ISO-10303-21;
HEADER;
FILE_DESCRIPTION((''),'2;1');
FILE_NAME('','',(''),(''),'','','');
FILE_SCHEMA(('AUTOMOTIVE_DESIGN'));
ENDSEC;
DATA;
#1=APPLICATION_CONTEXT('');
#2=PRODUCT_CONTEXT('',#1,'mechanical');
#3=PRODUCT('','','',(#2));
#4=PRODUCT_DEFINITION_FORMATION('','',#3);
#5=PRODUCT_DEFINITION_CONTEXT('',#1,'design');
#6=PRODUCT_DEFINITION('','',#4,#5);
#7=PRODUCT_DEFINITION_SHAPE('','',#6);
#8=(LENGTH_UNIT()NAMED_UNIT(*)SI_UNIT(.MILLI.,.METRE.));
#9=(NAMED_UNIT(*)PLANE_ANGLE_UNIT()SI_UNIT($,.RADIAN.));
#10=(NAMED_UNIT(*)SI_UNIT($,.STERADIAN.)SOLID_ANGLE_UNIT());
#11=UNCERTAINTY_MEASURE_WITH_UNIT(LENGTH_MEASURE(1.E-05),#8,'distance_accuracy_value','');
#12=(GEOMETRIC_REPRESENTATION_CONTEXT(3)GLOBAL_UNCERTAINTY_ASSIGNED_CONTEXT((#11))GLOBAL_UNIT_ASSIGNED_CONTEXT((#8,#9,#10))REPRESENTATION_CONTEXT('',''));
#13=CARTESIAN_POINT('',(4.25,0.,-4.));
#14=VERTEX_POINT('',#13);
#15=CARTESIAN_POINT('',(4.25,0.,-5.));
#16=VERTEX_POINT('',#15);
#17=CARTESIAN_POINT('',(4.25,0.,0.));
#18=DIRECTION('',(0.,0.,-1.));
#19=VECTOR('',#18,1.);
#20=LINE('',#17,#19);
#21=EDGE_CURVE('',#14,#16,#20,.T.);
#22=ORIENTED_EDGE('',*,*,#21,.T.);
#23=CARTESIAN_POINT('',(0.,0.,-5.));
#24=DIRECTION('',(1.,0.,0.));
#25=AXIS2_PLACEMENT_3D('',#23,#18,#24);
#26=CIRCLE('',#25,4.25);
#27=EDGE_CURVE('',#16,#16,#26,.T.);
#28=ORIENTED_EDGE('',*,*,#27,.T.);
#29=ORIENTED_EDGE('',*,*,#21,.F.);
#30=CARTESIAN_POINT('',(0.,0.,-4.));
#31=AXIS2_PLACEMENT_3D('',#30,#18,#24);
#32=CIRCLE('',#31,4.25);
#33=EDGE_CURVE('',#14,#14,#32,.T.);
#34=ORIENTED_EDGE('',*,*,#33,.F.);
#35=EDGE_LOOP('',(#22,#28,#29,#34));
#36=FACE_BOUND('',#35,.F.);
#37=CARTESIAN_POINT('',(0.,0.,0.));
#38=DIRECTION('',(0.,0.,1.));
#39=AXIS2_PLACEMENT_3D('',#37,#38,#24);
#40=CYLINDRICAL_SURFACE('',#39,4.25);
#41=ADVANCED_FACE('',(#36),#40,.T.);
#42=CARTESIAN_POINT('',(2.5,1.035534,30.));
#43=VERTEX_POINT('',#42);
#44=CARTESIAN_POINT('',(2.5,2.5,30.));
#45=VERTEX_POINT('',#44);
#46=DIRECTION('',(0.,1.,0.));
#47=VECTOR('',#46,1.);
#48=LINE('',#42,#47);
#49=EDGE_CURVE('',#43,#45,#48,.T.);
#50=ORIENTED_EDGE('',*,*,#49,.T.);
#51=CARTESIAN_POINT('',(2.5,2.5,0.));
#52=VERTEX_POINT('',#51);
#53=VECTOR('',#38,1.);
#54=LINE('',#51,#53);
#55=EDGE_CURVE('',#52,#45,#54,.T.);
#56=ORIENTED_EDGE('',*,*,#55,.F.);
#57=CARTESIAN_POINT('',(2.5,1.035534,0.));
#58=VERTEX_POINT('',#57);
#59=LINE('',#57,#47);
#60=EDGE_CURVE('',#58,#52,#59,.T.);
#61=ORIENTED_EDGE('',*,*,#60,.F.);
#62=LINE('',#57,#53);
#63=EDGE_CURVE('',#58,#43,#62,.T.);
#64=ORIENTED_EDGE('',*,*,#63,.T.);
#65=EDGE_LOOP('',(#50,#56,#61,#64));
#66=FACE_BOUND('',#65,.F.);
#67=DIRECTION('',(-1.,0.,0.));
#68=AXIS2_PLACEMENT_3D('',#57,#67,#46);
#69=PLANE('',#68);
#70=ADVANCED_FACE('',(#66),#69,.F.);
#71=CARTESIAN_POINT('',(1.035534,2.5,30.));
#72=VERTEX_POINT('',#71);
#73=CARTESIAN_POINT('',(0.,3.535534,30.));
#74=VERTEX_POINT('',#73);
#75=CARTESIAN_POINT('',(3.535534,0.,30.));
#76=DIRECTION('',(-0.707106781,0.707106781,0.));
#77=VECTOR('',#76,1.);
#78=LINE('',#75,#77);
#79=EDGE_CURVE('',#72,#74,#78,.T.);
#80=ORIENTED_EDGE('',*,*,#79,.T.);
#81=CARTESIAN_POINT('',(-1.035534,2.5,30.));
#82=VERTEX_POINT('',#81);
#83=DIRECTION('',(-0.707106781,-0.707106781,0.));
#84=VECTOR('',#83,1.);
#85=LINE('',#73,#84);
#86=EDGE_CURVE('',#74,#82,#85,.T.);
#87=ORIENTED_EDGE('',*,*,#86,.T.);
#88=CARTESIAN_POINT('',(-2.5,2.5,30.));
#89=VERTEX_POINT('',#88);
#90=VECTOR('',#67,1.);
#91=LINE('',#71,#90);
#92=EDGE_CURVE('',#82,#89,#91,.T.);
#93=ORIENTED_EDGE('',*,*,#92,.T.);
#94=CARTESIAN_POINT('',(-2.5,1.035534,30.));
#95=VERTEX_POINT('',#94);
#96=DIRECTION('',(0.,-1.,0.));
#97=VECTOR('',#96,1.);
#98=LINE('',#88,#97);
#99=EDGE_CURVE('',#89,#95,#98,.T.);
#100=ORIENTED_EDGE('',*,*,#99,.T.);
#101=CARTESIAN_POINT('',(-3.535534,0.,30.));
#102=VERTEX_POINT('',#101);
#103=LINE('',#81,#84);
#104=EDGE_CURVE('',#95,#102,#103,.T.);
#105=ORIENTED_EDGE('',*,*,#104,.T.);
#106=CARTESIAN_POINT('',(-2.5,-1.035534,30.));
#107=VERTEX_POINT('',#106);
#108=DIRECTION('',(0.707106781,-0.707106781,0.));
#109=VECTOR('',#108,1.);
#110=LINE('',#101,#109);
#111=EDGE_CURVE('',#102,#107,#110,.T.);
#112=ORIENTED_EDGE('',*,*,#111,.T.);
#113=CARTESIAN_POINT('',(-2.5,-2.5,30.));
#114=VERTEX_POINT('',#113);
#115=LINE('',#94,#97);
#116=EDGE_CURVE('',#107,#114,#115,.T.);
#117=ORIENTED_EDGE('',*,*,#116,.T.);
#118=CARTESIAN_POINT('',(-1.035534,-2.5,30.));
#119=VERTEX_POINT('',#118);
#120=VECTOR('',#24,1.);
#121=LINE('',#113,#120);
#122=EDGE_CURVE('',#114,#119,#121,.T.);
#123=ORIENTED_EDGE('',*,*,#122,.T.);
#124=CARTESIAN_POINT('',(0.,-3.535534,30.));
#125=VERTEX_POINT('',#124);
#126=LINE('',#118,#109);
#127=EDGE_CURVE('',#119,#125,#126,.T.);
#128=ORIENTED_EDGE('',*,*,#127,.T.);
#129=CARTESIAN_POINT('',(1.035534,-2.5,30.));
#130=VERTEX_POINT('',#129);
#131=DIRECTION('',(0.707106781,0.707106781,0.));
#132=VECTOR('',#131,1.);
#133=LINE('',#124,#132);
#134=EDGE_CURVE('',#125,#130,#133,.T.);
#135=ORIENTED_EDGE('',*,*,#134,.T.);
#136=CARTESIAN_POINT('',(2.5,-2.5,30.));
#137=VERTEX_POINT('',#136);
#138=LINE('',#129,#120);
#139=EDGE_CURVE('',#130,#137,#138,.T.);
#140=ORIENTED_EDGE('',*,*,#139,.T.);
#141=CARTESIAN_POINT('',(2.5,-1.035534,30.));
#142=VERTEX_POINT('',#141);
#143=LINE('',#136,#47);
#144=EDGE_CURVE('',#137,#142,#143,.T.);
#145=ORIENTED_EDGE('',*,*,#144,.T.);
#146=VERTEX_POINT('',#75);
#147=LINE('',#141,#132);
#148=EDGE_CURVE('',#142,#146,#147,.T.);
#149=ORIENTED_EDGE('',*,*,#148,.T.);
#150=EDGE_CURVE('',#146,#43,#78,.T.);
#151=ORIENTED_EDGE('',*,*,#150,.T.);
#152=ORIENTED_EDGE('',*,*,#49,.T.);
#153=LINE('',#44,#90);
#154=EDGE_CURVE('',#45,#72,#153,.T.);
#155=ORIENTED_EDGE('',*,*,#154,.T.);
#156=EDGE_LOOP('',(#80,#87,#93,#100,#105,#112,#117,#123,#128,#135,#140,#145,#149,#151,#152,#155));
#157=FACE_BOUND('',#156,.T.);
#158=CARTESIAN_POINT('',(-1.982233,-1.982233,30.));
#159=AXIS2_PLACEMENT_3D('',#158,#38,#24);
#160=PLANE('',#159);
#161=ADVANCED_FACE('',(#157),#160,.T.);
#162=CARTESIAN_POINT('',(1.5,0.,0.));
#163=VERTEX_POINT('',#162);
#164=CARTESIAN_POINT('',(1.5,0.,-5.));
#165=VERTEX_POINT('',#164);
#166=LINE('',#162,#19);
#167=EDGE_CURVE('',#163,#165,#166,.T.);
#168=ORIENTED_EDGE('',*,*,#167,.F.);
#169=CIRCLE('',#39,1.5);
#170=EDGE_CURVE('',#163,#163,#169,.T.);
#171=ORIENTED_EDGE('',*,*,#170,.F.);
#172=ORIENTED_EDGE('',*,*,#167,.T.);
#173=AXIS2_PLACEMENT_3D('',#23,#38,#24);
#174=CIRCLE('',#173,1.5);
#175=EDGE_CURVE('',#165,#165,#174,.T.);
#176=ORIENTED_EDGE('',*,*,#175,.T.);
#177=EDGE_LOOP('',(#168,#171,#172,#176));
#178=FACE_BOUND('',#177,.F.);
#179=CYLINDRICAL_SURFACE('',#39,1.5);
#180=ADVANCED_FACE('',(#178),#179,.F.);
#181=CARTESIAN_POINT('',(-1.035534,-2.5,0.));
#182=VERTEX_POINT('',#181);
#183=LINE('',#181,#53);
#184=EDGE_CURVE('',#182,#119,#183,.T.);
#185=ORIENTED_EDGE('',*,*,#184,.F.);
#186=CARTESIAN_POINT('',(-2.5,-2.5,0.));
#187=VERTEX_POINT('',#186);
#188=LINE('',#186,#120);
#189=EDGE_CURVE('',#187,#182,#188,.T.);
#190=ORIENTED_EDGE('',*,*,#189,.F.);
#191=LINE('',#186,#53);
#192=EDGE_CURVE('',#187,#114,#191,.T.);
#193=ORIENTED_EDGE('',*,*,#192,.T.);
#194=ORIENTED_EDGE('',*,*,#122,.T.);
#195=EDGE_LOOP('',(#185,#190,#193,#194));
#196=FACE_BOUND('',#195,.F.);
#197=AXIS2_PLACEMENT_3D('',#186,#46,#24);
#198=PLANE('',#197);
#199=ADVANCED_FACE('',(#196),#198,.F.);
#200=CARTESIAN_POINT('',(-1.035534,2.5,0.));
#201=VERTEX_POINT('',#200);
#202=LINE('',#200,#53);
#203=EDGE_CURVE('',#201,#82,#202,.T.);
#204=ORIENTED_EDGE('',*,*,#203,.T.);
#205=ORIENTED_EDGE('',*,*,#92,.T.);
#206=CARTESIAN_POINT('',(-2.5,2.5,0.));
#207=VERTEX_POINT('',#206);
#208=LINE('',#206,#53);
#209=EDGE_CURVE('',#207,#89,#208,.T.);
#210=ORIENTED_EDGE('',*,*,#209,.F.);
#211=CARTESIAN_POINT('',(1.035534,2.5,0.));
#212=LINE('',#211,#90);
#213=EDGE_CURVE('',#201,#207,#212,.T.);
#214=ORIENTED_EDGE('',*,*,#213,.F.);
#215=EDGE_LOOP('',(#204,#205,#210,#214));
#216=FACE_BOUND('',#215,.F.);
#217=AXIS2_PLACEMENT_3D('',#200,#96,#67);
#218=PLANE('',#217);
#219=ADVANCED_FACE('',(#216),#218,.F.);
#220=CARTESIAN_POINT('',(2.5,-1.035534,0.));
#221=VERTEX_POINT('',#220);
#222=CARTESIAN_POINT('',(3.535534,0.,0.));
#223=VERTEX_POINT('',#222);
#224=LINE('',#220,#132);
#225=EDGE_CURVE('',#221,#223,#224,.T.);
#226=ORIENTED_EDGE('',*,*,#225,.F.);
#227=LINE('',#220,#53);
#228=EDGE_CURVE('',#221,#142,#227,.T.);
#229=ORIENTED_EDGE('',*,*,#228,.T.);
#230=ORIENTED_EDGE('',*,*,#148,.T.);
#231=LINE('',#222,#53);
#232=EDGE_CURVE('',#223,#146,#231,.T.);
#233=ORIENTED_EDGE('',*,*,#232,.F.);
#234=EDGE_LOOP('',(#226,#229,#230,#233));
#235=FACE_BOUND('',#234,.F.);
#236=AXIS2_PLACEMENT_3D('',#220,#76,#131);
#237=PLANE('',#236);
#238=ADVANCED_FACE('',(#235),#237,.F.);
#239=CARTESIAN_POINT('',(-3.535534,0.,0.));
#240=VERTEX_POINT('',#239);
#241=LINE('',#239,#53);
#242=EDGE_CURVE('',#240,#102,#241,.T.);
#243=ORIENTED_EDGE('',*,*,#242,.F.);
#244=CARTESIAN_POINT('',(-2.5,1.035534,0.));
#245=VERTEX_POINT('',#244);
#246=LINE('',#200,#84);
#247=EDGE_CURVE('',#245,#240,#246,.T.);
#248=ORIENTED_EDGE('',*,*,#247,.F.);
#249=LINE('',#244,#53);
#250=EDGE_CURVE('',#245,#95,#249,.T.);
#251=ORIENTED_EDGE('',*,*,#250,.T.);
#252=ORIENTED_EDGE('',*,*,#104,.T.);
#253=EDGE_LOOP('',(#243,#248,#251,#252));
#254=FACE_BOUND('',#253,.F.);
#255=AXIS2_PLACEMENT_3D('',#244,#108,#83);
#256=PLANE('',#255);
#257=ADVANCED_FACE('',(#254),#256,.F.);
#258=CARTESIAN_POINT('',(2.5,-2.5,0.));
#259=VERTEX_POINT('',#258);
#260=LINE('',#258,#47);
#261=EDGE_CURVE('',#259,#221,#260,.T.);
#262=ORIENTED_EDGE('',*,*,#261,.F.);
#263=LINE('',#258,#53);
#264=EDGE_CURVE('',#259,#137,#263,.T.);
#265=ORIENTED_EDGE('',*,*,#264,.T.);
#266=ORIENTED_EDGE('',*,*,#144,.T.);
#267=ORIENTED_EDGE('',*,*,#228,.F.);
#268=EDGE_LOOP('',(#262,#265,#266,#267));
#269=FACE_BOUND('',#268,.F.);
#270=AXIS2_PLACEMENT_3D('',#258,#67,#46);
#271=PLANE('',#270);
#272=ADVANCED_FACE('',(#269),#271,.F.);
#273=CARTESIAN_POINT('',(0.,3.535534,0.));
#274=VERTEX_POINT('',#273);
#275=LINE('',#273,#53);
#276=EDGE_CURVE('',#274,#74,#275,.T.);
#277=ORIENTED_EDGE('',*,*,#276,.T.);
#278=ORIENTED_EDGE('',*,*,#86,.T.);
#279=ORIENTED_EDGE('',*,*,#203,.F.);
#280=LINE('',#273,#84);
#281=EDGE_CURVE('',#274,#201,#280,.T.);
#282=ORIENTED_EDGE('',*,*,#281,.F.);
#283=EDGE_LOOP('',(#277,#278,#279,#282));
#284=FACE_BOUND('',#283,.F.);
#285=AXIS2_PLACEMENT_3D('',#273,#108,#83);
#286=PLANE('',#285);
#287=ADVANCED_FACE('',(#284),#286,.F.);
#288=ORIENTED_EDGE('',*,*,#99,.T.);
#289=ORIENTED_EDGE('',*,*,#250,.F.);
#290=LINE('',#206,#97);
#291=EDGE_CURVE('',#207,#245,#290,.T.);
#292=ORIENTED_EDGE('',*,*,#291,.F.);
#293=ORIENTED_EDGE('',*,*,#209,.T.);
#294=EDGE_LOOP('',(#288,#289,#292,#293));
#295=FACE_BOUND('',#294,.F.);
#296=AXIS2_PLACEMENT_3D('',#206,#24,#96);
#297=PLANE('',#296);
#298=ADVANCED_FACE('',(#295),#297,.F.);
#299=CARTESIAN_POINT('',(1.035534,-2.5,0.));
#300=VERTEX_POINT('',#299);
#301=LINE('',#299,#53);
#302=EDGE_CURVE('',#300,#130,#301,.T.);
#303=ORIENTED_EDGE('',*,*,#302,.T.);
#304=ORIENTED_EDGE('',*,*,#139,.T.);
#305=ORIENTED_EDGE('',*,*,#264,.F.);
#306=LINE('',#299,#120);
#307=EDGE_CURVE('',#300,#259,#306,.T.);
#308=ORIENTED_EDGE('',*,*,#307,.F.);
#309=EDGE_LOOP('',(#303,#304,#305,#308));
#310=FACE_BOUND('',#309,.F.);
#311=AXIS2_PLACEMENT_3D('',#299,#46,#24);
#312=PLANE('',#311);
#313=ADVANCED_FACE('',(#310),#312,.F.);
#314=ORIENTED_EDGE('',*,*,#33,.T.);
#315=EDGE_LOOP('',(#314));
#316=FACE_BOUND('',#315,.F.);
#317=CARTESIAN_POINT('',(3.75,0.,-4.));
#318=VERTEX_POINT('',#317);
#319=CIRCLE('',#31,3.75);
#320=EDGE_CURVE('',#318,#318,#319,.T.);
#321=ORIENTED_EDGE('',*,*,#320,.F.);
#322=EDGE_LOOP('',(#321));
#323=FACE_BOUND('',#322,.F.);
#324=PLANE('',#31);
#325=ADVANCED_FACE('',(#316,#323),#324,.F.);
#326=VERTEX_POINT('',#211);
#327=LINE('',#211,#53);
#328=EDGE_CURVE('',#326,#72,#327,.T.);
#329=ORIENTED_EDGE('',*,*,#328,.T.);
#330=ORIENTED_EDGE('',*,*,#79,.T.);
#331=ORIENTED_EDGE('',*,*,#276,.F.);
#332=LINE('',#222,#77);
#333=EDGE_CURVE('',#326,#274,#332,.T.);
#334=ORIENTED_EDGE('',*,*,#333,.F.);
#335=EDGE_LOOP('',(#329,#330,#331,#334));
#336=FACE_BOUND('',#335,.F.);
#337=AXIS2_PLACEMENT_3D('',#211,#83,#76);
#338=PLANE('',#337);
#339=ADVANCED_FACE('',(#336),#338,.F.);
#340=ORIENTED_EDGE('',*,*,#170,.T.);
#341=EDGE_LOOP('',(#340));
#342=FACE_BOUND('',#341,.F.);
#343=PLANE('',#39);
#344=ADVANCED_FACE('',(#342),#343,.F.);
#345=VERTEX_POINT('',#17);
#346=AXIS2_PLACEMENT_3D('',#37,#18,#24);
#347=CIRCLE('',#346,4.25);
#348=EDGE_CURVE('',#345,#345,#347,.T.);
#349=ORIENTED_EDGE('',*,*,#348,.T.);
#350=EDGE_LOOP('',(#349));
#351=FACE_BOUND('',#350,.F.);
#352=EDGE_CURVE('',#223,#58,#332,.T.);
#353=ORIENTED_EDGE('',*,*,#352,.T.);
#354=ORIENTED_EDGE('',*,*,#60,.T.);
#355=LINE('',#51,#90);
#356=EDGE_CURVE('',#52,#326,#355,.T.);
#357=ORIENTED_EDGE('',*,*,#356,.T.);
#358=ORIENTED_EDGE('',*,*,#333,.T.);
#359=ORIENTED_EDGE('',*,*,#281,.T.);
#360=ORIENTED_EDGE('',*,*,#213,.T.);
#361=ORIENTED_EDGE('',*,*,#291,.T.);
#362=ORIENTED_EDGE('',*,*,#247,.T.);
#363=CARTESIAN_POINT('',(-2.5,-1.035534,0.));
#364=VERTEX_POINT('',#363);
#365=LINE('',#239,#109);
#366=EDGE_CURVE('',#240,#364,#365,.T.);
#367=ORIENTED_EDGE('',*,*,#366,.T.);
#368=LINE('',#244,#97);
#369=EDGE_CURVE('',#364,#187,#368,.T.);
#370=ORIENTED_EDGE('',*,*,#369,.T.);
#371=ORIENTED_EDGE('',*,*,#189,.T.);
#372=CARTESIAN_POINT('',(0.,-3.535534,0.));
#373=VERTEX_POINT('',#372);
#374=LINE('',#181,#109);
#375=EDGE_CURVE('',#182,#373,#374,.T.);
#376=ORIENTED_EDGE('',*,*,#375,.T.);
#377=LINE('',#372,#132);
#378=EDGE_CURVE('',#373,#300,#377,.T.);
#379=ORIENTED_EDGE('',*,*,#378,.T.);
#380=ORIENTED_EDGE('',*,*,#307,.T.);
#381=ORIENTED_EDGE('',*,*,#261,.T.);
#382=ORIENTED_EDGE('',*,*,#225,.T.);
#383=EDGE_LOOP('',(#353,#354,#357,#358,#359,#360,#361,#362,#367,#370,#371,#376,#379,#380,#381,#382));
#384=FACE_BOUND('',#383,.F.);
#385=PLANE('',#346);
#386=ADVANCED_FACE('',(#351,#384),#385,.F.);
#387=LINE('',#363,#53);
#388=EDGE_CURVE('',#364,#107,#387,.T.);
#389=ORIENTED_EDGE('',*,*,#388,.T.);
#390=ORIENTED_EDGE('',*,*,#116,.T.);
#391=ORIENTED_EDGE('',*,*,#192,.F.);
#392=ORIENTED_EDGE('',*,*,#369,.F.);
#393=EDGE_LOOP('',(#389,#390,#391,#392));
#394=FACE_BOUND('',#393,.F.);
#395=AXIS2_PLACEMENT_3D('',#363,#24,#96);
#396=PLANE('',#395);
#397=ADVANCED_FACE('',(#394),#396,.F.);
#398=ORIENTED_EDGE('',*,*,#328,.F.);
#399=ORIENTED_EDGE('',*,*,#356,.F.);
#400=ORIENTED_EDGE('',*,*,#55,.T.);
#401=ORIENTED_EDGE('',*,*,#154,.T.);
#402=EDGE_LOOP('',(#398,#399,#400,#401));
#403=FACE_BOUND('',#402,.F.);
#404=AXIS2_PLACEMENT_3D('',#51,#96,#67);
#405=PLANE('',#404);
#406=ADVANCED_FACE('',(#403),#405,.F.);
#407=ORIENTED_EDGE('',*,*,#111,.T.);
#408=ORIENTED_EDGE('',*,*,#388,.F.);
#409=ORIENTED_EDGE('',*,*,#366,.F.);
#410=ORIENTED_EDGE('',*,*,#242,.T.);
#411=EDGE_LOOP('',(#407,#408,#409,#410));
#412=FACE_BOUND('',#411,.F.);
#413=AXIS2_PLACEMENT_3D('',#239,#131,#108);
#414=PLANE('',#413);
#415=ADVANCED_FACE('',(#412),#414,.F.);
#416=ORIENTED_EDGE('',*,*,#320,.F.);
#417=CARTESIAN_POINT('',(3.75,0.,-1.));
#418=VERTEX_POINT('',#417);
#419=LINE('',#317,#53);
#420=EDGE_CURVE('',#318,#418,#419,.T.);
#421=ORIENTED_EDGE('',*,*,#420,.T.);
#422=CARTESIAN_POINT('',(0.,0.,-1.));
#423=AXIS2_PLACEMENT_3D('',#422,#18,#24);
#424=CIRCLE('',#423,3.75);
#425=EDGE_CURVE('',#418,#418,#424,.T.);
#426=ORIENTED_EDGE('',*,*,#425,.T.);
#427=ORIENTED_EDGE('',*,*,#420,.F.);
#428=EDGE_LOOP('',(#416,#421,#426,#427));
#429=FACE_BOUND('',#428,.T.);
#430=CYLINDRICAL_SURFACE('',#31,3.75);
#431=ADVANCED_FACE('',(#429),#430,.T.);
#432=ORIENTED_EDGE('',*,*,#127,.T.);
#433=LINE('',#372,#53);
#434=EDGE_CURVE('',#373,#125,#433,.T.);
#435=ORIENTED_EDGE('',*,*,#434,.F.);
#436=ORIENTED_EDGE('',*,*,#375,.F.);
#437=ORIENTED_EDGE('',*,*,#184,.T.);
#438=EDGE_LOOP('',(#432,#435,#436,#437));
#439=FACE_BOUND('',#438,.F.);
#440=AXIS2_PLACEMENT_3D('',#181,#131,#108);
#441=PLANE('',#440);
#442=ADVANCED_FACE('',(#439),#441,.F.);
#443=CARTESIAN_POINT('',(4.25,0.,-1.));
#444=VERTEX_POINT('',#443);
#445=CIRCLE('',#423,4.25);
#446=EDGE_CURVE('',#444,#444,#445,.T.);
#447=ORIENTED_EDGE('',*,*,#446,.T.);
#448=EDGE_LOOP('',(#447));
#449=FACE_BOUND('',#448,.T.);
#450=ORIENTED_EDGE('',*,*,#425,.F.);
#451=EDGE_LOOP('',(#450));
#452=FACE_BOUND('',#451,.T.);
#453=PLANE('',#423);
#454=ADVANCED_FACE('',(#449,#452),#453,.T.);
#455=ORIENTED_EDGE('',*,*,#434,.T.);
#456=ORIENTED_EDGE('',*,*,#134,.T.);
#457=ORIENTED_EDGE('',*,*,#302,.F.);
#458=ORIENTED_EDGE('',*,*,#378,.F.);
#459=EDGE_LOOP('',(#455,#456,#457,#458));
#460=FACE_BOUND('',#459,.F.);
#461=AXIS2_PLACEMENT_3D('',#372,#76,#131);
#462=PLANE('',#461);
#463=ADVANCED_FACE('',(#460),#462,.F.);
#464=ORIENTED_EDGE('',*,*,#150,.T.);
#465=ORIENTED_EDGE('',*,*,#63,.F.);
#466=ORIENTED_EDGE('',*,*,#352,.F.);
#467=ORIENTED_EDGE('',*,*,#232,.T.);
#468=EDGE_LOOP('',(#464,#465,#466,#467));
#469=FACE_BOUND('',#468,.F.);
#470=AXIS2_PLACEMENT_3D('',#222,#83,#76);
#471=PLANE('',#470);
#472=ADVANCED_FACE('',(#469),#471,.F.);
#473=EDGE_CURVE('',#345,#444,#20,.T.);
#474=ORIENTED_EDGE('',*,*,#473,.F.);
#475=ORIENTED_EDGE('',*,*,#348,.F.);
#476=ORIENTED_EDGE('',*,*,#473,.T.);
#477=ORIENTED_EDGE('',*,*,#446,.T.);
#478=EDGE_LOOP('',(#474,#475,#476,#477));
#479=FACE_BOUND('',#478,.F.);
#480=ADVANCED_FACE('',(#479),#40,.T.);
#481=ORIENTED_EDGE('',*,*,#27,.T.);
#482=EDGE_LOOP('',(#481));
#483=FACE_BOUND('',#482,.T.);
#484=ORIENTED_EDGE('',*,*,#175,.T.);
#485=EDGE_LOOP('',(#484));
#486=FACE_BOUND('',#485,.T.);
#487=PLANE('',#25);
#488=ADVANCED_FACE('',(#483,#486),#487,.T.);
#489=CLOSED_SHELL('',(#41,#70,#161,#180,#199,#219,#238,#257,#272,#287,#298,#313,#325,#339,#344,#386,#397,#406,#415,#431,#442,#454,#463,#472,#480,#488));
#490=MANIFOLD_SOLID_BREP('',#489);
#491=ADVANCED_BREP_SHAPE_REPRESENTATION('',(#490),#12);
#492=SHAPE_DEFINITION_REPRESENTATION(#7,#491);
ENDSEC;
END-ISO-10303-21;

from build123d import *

# Parameters (mm, degrees)
F1_DEPTH = 30
F2_R     = 4.25
F3_DEPTH = 5
F5_R     = 4.25
F5_R_2   = 3.75
F6_DEPTH = 3
F7_R     = 1.5
F8_DEPTH = 5


with BuildPart() as f1:
    # F0 (on Top) → F1 (new body)
    with BuildSketch(Plane.XY):
        Polygon((-2.5, -1.0355339059), (-2.5, -2.5), (-1.0355339059, -2.5), align=None)
        Polygon((-2.5, -1.0355339059), (-1.0355339059, -2.5), (1.0355339059, -2.5), (2.5, -1.0355339059), (2.5, 1.0355339059), (1.0355339059, 2.5), (-1.0355339059, 2.5), (-2.5, 1.0355339059), align=None)
        Polygon((1.0355339059, -2.5), (-1.0355339059, -2.5), (0, -3.5355339059), align=None)
        Polygon((-3.5355339059, 0), (-2.5, -1.0355339059), (-2.5, 1.0355339059), align=None)
        Polygon((2.5, -1.0355339059), (1.0355339059, -2.5), (2.5, -2.5), align=None)
        Polygon((-2.5, 2.5), (-2.5, 1.0355339059), (-1.0355339059, 2.5), align=None)
        Polygon((2.5, 1.0355339059), (2.5, -1.0355339059), (3.5355339059, 0), align=None)
        Polygon((0, 3.5355339059), (-1.0355339059, 2.5), (1.0355339059, 2.5), align=None)
        Polygon((1.0355339059, 2.5), (2.5, 1.0355339059), (2.5, 2.5), align=None)
    extrude(amount=F1_DEPTH)

    # F2 (on face) → F3 (join)
    with BuildSketch(Plane(origin=(0, 0, 0), x_dir=(1, 0, 0), z_dir=(0, 0, -1))):
        Circle(F2_R)
    extrude(amount=F3_DEPTH)

    # F5 (on offset) → F6 (cut)
    with BuildSketch(Plane(origin=(0, 0, -4), x_dir=(1, 0, 0), z_dir=(0, 0, -1))):
        Circle(F5_R)
        Circle(F5_R_2, mode=Mode.SUBTRACT)
    extrude(amount=-F6_DEPTH, mode=Mode.SUBTRACT)

    # F7 (on Top) → F8 (cut)
    with BuildSketch(Plane.XY):
        Circle(F7_R)
    extrude(amount=-F8_DEPTH, mode=Mode.SUBTRACT)


solid = f1.part
